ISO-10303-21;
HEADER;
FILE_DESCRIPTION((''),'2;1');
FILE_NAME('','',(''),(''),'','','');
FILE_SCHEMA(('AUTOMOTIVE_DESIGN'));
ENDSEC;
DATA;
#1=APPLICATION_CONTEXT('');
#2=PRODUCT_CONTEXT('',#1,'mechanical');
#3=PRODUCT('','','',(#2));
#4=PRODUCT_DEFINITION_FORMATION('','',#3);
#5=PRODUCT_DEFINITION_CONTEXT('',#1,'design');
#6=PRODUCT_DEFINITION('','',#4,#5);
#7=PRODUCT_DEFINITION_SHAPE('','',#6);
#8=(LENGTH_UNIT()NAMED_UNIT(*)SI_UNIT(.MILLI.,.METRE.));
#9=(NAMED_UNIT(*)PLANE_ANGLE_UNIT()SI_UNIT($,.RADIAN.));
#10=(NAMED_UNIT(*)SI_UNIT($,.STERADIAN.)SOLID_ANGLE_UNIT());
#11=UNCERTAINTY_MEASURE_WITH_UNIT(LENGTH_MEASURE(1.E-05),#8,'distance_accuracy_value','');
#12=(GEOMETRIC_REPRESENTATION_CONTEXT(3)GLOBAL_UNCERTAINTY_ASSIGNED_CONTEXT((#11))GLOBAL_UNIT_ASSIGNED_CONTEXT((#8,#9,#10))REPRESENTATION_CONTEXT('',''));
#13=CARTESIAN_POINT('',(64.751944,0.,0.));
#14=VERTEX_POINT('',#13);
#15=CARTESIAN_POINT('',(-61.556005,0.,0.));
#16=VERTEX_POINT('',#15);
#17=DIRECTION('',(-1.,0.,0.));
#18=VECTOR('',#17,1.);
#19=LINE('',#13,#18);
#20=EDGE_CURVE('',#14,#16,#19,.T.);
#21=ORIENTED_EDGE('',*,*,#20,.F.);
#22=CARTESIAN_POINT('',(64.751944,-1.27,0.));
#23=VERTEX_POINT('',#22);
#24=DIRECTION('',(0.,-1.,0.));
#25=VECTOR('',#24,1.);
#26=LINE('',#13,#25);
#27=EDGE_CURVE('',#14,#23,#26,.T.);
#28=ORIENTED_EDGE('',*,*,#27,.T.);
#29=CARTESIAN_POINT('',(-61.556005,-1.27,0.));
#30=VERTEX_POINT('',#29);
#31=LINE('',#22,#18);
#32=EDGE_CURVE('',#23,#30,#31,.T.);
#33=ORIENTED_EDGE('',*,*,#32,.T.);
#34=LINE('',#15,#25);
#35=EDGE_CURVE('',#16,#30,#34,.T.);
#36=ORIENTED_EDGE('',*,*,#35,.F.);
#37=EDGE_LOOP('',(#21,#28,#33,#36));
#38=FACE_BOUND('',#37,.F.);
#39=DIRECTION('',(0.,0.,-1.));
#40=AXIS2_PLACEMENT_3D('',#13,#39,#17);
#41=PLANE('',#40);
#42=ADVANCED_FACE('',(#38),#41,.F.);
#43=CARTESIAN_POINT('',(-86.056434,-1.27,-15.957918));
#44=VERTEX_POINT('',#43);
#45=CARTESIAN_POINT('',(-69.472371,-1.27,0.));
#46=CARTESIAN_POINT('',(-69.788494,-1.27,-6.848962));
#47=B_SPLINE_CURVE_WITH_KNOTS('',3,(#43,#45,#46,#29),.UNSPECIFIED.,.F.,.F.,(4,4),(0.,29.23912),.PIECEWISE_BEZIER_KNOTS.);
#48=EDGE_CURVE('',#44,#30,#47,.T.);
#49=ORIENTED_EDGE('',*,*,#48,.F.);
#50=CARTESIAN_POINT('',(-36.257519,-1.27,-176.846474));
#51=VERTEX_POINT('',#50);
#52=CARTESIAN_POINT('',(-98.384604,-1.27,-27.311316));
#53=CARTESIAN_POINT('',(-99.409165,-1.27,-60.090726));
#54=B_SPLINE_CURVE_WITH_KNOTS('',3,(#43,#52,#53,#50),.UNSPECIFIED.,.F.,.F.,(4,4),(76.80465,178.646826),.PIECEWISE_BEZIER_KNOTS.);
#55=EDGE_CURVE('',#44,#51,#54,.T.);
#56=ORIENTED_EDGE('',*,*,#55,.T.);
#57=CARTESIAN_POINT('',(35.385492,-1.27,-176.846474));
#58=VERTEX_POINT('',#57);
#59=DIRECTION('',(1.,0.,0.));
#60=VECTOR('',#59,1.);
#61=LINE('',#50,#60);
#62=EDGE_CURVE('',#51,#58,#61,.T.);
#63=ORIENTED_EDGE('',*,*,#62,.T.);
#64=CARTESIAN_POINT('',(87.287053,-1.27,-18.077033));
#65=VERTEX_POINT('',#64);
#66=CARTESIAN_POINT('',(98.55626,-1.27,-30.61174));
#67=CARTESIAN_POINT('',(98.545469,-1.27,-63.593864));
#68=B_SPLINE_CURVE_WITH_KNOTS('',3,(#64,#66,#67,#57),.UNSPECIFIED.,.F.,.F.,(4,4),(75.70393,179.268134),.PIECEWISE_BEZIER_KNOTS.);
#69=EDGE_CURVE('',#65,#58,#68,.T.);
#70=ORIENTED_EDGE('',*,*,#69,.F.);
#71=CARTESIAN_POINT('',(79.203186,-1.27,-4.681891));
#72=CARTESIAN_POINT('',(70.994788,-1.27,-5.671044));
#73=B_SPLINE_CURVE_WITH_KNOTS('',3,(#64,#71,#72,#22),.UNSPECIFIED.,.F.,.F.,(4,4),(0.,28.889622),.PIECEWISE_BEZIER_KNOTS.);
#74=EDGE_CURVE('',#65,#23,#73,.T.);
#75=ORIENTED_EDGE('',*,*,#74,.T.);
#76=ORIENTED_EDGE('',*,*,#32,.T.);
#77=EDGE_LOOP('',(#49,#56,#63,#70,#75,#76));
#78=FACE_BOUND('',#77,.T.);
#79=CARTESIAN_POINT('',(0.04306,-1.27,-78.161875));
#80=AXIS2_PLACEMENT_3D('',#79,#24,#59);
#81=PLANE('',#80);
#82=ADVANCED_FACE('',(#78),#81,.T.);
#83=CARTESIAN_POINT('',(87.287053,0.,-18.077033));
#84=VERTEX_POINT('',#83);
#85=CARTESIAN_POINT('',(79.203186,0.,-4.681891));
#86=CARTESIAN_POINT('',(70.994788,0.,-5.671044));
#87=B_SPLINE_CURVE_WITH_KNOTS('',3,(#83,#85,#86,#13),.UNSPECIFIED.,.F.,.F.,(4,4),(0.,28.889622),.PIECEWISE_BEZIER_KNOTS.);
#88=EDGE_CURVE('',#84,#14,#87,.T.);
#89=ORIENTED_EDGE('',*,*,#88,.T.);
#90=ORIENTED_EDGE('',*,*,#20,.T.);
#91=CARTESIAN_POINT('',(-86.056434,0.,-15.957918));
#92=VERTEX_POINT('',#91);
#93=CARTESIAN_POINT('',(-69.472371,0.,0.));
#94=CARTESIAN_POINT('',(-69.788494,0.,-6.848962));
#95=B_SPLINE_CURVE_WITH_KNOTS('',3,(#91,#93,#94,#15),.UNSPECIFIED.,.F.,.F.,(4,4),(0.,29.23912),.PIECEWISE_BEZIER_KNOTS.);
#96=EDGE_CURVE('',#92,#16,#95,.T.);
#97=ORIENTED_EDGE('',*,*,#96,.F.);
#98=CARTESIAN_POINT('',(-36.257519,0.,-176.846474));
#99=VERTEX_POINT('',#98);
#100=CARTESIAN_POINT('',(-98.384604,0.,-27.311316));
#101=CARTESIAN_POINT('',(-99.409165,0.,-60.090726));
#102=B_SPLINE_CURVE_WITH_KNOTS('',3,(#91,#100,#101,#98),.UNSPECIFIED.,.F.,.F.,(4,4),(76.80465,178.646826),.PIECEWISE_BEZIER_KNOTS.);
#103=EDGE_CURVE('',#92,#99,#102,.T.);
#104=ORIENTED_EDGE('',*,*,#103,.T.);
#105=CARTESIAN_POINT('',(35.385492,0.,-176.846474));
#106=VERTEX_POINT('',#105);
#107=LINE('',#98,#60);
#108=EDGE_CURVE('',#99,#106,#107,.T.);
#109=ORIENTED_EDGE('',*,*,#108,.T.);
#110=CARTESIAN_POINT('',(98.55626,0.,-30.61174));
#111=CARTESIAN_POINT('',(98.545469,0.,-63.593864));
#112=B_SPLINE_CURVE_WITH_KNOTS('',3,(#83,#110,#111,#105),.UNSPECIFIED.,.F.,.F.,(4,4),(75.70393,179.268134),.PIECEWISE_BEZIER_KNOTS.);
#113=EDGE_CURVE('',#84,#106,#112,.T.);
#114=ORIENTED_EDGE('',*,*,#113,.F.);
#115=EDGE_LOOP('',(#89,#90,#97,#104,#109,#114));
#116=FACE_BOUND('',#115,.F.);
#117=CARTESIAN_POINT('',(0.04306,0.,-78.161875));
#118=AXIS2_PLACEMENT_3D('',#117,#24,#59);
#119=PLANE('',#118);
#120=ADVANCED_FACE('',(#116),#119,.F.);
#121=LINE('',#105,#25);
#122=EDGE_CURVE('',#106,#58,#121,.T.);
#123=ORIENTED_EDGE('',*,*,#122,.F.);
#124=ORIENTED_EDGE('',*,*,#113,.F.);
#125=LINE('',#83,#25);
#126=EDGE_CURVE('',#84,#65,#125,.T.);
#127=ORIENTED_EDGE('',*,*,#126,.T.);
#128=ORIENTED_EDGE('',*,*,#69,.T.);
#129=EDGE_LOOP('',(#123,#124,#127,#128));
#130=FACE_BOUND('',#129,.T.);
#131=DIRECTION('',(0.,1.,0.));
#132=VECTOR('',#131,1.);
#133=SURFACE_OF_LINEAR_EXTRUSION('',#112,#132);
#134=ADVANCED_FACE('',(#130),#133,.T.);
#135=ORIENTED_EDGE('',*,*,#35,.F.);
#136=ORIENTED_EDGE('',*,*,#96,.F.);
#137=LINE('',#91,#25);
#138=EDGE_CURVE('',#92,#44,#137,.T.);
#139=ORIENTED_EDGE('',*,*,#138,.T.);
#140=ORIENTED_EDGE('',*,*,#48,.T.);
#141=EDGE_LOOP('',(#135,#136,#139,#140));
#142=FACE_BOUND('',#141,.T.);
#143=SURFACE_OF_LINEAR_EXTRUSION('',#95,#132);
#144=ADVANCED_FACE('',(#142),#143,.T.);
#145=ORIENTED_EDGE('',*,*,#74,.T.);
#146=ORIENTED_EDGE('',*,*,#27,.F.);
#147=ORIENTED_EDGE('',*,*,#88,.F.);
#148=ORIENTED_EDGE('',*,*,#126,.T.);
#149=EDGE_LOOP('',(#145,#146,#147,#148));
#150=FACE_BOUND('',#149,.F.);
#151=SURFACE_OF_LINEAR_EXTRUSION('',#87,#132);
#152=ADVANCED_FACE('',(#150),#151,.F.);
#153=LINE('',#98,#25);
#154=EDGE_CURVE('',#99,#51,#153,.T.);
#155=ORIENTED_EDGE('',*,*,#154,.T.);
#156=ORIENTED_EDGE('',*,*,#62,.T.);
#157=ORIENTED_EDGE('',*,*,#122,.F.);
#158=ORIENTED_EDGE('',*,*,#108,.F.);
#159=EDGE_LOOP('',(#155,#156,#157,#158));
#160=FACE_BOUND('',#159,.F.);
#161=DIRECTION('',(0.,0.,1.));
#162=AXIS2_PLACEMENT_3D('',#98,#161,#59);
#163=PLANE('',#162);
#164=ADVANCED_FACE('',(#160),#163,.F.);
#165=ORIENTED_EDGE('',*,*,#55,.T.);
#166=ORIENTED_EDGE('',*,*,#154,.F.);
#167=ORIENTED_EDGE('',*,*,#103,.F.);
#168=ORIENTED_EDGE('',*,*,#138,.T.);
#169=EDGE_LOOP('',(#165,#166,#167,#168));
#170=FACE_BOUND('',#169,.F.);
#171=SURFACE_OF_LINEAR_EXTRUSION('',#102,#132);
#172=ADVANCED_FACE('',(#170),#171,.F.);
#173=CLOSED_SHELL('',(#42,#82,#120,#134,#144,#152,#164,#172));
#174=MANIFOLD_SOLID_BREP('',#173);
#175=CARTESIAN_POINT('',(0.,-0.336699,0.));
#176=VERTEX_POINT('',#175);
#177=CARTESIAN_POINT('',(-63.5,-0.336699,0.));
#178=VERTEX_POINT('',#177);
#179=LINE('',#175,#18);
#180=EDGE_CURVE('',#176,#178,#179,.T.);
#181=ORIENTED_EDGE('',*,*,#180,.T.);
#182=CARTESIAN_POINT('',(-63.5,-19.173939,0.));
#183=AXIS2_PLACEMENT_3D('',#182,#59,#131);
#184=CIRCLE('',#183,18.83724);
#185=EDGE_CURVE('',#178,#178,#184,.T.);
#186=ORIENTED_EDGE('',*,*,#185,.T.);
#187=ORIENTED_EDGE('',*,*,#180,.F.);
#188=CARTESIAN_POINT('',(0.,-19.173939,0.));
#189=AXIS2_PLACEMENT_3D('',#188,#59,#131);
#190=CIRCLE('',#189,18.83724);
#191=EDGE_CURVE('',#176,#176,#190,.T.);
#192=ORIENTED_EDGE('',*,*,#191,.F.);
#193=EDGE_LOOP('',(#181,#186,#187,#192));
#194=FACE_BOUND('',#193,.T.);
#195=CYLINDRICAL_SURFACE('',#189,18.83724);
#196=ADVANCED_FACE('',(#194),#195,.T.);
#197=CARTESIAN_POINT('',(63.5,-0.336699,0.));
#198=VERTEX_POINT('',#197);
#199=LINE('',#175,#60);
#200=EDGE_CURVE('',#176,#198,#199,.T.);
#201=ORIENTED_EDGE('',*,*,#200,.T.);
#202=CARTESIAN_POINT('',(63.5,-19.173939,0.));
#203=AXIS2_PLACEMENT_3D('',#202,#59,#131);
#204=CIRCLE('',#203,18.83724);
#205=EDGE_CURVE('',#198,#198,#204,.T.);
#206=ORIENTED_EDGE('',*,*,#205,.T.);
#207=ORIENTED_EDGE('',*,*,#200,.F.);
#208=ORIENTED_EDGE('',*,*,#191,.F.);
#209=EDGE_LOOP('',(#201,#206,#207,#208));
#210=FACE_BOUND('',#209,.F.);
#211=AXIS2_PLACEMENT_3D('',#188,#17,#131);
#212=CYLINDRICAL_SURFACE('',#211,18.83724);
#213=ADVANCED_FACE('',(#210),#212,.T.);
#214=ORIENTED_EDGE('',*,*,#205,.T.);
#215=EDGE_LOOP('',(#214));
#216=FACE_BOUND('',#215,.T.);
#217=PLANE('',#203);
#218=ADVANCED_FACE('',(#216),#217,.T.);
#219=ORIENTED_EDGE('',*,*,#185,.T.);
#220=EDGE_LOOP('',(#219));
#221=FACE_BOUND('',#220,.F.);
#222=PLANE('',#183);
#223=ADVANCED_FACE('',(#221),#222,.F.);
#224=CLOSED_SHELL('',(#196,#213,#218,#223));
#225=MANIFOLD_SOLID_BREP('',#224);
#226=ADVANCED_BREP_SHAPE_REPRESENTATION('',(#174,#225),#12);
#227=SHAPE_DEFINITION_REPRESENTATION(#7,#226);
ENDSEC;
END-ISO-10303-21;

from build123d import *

# Parameters (mm, degrees)
F0_R      = 18.83724
F1_DEPTH  = 63.5
F1_FACE_R = 18.83724
F2_DEPTH  = 63.5
F4_DEPTH  = 1.27


with BuildPart() as f1:
    # F0 (on Right) → F1 (new body)
    with BuildSketch(Plane.YZ):
        with Locations((-19.173939, 0)):
            Circle(F0_R)
    extrude(amount=-F1_DEPTH)

    # F1_face (on face) → F2 (join)
    with BuildSketch(Plane(origin=(0, -19.173939, 0), x_dir=(0, 1, 0), z_dir=(1, 0, 0))):
        Circle(F1_FACE_R)
    extrude(amount=F2_DEPTH)


with BuildPart() as f4:
    # F3 (on Front) → F4 (new body)
    with BuildSketch(Plane.XZ):
        with BuildLine():
            Line((64.751944, 0), (-61.556005, 0))
            add(Edge.make_bspline(
                [(-61.556005, 0), (-61.032861, -11.019501), (-76.759099, -7.395711), (-86.056434, -15.957918)],
                knots=[0, 0, 0, 0, 76.80465, 76.80465, 76.80465, 76.80465], degree=3))
            add(Edge.make_bspline(
                [(-86.056434, -15.957918), (-98.384604, -27.311316), (-99.409165, -60.090726), (-36.257519, -176.846474)],
                knots=[76.80465, 76.80465, 76.80465, 76.80465, 178.646826, 178.646826, 178.646826, 178.646826], degree=3))
            Line((-36.257519, -176.846474), (35.385492, -176.846474))
            add(Edge.make_bspline(
                [(87.287053, -18.077033), (98.55626, -30.61174), (98.545469, -63.593864), (35.385492, -176.846474)],
                knots=[75.70393, 75.70393, 75.70393, 75.70393, 179.268134, 179.268134, 179.268134, 179.268134], degree=3))
            add(Edge.make_bspline(
                [(64.751944, 0), (64.784448, -10.677522), (79.049427, -8.914343), (87.287053, -18.077033)],
                knots=[0, 0, 0, 0, 75.70393, 75.70393, 75.70393, 75.70393], degree=3))
        make_face()
        with BuildLine():
            add(Edge.make_bspline(
                [(-61.556005, 0), (-61.032861, -11.019501), (-76.759099, -7.395711), (-86.056434, -15.957918)],
                knots=[0, 0, 0, 0, 76.80465, 76.80465, 76.80465, 76.80465], degree=3))
            add(Edge.make_bspline(
                [(-86.056434, -15.957918), (-69.472371, 0), (-69.788494, -6.848962), (-61.556005, 0)],
                knots=[0, 0, 0, 0, 29.23912, 29.23912, 29.23912, 29.23912], degree=3))
        make_face()
        with BuildLine():
            add(Edge.make_bspline(
                [(87.287053, -18.077033), (79.203186, -4.681891), (70.994788, -5.671044), (64.751944, 0)],
                knots=[0, 0, 0, 0, 28.889622, 28.889622, 28.889622, 28.889622], degree=3))
            add(Edge.make_bspline(
                [(64.751944, 0), (64.784448, -10.677522), (79.049427, -8.914343), (87.287053, -18.077033)],
                knots=[0, 0, 0, 0, 75.70393, 75.70393, 75.70393, 75.70393], degree=3))
        make_face()
    extrude(amount=F4_DEPTH)


solid = Compound([f1.part, f4.part])
